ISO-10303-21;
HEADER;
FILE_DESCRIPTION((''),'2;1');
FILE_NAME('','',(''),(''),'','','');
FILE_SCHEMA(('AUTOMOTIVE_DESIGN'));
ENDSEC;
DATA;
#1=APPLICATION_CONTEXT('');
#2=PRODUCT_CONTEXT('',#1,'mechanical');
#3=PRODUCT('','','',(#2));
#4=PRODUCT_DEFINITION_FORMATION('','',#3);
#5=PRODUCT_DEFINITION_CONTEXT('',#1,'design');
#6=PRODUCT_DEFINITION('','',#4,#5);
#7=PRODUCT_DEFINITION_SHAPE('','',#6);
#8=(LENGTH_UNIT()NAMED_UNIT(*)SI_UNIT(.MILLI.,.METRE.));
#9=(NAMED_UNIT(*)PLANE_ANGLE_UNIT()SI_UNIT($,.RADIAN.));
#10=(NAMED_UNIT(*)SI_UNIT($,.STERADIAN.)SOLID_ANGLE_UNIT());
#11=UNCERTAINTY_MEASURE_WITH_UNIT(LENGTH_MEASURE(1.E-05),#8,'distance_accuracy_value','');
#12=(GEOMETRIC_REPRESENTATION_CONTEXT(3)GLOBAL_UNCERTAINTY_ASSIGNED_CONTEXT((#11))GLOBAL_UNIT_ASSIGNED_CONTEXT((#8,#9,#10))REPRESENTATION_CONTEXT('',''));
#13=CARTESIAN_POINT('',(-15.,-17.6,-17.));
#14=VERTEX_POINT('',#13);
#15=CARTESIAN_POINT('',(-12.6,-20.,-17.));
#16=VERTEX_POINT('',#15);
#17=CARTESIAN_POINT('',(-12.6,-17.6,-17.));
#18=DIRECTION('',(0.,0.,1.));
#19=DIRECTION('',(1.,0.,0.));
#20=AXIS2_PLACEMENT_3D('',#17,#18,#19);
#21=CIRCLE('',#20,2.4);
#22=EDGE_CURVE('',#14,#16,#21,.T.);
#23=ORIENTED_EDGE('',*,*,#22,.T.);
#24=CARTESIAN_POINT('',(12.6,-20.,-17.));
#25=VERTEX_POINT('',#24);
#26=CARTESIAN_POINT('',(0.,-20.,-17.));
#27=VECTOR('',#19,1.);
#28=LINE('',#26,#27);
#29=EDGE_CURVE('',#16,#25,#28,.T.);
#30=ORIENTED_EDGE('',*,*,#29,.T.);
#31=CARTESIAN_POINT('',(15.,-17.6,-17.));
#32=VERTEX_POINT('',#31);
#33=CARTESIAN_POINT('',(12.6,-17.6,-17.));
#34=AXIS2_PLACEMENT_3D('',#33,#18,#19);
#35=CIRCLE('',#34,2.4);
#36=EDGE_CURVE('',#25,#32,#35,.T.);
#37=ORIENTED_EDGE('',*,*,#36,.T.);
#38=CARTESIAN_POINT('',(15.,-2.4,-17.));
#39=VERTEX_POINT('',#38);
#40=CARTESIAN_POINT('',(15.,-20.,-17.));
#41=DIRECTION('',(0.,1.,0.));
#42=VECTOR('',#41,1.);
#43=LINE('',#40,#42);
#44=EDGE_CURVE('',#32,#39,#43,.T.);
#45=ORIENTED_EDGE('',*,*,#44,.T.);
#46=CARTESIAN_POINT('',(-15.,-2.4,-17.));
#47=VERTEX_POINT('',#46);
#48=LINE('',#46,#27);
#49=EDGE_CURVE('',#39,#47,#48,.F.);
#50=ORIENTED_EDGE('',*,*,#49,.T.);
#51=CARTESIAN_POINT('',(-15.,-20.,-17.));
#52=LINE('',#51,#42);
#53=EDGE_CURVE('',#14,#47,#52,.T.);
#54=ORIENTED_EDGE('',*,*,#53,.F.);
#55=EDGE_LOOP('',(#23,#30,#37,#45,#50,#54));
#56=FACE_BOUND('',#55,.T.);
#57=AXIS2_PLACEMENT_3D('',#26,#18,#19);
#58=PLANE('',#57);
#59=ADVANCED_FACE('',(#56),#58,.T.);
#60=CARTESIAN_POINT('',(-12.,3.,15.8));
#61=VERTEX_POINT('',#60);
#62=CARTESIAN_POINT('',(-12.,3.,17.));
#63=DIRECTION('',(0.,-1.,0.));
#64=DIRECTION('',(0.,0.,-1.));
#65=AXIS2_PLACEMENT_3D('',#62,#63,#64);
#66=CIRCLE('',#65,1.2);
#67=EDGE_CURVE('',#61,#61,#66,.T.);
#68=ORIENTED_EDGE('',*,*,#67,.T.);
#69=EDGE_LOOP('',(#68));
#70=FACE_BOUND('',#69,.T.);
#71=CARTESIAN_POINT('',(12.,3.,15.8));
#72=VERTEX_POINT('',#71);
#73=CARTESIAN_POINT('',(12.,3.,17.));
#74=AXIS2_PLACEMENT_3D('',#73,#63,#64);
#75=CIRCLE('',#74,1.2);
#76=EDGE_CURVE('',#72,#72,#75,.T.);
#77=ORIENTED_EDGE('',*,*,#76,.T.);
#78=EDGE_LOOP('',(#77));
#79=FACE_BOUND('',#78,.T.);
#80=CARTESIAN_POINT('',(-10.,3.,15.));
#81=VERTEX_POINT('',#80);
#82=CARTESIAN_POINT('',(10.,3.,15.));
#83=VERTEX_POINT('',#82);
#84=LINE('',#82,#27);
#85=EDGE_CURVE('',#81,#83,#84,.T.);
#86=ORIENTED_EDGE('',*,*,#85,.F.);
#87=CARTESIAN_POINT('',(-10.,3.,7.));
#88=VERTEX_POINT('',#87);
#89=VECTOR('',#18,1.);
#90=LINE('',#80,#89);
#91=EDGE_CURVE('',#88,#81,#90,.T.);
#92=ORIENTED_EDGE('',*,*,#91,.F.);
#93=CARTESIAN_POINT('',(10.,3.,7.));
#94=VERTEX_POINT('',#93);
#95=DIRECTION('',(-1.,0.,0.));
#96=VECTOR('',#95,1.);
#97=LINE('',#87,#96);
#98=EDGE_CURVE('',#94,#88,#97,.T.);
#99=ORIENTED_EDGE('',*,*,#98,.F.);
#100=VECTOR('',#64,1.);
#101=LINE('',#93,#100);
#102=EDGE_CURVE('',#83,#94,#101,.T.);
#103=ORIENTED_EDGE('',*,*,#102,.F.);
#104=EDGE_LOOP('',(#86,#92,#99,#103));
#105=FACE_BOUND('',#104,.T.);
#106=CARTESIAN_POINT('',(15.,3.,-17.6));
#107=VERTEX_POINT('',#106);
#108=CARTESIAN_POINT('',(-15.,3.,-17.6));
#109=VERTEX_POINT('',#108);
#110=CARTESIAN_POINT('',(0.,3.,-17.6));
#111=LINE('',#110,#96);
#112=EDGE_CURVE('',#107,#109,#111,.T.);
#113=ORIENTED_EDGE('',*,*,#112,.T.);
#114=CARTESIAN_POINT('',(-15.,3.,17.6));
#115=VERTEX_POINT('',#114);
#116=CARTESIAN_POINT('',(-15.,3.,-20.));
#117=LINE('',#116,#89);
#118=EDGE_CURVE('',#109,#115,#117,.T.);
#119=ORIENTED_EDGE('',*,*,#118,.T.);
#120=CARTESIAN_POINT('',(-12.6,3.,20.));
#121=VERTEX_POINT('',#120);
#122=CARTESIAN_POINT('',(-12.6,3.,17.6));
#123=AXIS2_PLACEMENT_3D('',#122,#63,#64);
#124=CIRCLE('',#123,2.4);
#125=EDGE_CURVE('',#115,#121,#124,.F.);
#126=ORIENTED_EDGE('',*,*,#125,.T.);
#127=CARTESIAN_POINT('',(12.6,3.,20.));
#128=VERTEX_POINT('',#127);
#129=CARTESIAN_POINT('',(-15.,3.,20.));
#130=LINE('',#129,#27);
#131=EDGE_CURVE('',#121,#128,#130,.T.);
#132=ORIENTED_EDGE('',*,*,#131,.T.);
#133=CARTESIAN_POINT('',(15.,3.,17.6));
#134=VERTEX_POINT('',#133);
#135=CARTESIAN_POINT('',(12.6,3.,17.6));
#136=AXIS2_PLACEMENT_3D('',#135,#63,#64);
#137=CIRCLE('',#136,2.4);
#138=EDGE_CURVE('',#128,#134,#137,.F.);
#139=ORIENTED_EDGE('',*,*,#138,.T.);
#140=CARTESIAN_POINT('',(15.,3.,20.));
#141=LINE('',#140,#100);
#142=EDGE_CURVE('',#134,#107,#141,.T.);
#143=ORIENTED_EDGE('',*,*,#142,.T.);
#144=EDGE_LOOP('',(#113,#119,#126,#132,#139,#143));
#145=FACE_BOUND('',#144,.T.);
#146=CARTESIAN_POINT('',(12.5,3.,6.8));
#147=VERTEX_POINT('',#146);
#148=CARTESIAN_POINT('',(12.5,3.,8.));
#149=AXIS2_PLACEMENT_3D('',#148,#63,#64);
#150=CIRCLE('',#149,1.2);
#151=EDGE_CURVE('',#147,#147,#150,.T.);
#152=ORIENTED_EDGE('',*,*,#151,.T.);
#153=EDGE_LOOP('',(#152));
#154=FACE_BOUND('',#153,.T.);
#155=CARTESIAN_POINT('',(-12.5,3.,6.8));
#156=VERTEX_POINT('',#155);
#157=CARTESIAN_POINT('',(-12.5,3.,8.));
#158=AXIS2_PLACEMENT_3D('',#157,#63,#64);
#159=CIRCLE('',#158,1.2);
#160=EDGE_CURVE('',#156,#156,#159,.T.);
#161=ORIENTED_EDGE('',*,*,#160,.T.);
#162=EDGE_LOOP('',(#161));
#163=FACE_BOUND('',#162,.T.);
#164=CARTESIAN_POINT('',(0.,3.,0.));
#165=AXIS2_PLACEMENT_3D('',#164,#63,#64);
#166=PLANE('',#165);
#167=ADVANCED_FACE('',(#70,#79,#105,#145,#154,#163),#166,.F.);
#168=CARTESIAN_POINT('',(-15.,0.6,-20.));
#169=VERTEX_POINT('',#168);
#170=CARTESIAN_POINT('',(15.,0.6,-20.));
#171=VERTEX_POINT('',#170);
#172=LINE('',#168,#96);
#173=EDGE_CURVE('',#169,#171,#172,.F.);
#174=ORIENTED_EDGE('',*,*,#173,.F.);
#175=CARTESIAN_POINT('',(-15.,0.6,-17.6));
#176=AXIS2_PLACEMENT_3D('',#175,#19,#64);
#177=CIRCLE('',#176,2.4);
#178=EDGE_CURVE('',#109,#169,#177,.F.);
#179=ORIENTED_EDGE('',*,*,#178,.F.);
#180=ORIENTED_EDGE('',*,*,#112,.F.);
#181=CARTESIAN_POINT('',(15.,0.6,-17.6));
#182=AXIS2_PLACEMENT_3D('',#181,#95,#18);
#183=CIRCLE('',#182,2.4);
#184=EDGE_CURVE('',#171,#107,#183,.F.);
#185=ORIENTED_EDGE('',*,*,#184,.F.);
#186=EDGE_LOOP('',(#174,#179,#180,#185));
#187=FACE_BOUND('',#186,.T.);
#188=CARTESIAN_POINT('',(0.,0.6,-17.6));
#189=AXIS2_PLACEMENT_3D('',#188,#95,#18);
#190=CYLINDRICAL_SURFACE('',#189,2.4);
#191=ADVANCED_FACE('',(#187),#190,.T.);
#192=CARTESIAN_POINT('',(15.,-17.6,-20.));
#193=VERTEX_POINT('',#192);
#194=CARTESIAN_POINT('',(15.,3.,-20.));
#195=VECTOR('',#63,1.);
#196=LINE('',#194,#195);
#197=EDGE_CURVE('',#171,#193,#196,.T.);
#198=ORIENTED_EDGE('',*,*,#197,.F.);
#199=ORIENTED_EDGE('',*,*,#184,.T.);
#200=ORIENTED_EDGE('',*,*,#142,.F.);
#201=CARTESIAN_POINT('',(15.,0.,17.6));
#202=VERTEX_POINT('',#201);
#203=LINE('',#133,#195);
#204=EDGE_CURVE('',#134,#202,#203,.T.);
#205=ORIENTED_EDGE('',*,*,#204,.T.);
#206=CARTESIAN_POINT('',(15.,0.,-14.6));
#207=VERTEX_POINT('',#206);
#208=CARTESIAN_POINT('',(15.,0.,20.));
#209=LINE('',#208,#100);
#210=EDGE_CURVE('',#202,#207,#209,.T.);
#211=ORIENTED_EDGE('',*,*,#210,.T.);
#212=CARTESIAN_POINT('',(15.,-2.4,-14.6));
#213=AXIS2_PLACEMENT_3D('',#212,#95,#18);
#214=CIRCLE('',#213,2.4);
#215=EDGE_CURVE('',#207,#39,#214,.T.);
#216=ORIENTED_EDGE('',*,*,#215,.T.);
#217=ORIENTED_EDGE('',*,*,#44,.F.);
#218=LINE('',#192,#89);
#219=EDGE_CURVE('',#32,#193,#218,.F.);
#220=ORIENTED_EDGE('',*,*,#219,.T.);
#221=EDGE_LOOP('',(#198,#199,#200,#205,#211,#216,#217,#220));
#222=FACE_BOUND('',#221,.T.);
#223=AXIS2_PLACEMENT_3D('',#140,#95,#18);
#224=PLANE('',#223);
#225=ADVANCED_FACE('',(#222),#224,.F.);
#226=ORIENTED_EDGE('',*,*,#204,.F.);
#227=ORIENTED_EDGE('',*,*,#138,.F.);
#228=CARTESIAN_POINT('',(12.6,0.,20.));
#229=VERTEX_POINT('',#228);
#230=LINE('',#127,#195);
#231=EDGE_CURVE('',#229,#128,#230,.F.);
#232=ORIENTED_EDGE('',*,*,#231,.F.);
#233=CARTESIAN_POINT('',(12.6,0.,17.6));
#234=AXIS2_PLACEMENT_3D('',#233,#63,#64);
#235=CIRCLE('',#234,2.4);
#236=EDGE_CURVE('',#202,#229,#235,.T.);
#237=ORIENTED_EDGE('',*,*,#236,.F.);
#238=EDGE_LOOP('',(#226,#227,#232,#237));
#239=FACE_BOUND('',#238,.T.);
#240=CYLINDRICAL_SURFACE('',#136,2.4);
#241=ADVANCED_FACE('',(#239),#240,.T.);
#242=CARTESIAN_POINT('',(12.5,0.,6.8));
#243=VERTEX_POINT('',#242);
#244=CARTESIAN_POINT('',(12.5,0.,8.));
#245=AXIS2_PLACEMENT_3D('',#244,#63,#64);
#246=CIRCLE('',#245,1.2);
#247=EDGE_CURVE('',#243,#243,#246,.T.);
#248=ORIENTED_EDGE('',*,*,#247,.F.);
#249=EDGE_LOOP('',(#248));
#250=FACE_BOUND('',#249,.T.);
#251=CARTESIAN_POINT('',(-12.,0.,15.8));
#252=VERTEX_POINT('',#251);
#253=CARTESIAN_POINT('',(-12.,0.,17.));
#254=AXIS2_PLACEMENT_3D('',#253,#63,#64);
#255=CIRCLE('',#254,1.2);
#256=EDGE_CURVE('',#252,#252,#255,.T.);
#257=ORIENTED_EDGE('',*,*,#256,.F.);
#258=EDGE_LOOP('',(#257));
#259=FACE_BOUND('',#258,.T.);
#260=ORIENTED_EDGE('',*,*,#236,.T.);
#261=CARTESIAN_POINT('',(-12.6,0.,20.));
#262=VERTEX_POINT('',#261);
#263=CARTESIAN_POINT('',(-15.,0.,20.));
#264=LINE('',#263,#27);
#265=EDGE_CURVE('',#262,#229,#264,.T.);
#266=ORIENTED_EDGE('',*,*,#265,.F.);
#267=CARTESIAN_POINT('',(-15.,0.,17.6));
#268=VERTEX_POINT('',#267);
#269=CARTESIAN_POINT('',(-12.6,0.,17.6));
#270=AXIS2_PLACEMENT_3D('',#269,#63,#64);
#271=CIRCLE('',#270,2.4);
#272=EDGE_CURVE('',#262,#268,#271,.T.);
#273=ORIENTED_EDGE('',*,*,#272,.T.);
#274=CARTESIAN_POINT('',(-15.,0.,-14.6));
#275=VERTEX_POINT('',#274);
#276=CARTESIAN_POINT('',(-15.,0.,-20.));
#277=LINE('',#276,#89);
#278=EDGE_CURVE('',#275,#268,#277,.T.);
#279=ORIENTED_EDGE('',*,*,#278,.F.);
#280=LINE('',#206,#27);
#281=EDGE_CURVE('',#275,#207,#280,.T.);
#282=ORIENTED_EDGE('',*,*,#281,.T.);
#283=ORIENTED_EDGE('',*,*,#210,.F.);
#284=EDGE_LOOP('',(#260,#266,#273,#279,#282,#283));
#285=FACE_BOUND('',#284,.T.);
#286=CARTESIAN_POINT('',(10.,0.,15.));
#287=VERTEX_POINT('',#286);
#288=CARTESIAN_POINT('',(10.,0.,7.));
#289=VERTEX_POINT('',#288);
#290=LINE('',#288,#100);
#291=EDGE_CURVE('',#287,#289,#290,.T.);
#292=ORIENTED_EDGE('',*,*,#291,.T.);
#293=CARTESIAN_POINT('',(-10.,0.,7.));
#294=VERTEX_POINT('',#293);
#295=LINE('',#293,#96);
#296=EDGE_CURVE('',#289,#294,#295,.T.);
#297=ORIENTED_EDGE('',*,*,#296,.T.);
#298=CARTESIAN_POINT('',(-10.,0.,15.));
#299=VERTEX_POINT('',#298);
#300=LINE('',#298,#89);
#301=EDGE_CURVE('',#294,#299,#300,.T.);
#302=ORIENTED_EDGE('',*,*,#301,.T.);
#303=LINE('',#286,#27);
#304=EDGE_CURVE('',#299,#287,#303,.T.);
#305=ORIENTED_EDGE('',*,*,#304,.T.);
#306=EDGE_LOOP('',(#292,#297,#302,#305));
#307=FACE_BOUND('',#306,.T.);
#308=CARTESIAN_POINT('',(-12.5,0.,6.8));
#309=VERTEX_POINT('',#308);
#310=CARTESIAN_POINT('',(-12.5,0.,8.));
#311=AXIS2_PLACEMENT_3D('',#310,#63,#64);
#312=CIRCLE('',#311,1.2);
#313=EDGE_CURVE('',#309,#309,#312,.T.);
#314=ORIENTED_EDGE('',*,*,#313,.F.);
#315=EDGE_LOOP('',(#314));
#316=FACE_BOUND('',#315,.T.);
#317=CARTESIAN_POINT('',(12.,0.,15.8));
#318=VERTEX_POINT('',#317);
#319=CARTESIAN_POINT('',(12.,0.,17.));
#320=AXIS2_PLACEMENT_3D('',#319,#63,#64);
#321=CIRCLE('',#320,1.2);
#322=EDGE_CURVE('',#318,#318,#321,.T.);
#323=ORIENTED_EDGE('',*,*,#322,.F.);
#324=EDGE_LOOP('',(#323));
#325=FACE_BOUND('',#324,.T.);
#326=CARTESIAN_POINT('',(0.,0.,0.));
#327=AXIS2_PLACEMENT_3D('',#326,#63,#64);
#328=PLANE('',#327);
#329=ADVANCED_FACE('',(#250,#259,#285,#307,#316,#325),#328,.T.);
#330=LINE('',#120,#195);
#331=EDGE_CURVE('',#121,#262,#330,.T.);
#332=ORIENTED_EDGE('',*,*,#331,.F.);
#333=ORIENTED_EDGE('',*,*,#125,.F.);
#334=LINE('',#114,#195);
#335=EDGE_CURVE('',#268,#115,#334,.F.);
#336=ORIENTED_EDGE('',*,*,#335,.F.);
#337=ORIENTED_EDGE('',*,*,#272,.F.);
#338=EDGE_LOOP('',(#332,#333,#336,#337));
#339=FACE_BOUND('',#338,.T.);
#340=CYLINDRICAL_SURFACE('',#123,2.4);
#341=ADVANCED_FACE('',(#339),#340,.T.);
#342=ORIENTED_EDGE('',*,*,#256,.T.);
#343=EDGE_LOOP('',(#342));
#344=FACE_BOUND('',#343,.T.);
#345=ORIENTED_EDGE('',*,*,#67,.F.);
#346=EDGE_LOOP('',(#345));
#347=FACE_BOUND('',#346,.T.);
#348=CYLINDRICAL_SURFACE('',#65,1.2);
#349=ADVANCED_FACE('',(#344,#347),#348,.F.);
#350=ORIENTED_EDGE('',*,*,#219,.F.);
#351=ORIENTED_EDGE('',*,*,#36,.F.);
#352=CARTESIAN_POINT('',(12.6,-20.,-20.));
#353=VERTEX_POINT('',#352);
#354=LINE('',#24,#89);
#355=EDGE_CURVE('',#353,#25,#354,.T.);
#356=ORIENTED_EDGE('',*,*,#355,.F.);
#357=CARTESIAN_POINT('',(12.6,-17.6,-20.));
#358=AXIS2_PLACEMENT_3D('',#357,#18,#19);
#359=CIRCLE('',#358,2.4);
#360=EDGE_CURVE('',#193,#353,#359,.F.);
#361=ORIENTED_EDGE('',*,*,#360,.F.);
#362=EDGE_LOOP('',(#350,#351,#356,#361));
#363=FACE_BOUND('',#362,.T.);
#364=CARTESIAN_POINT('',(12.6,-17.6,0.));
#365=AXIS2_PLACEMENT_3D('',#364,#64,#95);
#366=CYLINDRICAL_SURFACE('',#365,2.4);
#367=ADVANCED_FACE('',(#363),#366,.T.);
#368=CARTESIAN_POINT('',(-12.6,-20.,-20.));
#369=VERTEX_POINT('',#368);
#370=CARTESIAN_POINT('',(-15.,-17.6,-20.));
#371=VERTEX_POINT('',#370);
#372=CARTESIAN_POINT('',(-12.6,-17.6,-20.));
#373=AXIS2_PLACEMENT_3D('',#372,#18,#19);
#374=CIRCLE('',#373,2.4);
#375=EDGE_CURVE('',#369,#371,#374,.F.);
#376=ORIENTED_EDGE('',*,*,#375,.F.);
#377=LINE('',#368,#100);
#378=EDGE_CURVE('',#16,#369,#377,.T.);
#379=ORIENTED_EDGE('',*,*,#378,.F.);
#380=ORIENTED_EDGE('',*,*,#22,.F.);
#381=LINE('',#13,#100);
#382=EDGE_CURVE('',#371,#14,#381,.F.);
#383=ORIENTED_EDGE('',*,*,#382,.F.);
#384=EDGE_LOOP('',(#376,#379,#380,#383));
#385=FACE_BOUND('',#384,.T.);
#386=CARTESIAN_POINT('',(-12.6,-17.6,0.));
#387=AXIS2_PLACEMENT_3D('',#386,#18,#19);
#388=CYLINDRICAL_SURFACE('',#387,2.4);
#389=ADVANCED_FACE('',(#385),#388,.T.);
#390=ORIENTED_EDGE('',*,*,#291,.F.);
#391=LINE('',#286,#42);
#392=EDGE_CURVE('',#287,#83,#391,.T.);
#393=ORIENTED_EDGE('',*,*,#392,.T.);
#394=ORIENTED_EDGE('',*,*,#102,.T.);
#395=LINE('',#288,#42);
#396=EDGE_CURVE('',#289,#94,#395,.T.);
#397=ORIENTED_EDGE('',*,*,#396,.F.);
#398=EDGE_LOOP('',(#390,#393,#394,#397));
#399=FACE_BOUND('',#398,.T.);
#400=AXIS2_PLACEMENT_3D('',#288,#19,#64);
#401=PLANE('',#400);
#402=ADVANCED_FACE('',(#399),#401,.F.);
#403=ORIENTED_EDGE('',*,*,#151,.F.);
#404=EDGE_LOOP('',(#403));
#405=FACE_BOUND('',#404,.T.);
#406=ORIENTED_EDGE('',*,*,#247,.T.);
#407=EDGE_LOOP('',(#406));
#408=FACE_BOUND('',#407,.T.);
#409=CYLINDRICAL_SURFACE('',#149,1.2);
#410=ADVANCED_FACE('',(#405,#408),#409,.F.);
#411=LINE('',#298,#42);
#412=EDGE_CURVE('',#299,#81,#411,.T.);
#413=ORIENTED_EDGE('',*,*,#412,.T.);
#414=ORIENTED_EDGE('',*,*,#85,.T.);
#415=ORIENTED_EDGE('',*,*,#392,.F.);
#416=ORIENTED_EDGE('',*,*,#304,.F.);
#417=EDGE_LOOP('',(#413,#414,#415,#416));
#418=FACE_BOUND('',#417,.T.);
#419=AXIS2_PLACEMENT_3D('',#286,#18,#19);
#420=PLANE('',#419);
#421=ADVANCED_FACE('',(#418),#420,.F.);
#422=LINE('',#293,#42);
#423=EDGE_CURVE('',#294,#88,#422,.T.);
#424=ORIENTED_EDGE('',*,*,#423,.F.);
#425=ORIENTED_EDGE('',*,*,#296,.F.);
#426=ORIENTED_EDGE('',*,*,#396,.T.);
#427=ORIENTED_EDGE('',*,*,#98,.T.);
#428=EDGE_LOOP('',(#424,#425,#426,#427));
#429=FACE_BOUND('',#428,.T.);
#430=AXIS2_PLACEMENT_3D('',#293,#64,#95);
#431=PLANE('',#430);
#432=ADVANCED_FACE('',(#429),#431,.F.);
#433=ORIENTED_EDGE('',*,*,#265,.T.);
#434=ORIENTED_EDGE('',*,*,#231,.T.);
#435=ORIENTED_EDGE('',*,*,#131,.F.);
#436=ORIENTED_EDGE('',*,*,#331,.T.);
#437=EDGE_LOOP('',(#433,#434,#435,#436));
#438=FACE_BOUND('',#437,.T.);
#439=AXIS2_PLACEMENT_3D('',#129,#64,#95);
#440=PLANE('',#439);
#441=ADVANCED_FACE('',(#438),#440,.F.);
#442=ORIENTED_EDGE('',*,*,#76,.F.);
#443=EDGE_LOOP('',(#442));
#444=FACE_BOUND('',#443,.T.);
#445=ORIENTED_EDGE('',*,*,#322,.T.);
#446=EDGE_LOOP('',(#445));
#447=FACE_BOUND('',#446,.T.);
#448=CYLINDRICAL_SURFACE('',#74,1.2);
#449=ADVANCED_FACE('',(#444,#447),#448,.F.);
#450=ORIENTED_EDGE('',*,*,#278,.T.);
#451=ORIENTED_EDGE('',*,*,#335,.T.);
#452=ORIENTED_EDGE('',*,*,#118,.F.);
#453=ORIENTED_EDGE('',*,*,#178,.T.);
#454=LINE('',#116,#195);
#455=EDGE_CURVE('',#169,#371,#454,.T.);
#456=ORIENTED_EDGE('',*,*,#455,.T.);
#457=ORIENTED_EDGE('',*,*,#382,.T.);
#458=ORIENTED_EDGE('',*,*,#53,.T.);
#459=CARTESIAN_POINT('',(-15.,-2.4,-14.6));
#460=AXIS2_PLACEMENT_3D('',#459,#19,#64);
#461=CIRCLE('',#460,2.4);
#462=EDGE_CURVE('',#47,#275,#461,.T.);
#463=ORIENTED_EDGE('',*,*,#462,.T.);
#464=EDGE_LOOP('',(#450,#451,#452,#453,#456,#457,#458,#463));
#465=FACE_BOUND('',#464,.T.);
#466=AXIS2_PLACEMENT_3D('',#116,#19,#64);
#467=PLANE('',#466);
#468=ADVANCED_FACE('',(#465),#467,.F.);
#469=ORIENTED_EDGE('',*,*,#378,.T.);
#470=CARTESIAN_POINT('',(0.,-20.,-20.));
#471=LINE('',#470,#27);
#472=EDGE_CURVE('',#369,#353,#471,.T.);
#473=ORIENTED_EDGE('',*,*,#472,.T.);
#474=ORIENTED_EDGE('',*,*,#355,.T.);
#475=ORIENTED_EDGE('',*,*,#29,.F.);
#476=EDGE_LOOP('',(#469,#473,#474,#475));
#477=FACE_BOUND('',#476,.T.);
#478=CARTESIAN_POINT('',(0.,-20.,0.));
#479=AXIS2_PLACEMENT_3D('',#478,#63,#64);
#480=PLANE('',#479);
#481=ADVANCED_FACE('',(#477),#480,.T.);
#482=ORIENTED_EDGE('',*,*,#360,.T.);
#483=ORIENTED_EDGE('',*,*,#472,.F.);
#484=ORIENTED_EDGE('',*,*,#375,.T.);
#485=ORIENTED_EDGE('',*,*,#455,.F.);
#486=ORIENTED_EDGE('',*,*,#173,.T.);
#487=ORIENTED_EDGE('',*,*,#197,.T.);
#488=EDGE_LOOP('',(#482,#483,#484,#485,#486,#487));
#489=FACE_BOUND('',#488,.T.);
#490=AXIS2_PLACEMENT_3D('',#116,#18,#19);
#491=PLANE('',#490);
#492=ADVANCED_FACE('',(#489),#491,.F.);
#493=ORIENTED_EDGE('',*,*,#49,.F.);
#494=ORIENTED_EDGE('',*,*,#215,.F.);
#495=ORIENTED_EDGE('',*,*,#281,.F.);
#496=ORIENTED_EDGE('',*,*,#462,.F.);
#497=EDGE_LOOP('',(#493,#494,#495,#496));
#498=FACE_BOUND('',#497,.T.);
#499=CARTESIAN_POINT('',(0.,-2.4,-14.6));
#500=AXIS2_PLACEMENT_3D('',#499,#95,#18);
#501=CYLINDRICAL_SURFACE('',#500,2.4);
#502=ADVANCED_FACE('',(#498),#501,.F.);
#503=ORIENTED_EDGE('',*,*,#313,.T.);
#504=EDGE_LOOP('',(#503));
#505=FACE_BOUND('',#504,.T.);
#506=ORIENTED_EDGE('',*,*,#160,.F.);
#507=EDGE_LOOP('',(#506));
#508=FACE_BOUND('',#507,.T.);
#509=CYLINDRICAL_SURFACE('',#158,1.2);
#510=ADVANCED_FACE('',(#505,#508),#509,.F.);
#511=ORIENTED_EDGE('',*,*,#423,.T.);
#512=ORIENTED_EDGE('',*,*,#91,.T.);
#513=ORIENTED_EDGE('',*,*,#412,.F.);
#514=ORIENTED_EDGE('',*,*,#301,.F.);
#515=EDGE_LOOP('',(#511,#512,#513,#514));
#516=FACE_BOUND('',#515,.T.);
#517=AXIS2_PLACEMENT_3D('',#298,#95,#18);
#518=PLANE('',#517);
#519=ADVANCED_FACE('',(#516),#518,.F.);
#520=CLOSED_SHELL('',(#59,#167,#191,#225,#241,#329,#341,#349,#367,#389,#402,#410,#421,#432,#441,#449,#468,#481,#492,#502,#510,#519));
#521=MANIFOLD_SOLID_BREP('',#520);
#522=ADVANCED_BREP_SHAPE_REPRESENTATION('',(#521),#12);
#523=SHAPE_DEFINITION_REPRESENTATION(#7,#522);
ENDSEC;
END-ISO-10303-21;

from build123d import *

# Parameters (mm, degrees)
ESBO_O1_W                = 30
ESBO_O1_H                = 40
RESSALTO_EXTRUS_O1_DEPTH = 3
ESBO_O2_W                = 20
ESBO_O2_H                = 8
CORTE_EXTRUS_O1_DEPTH    = 26.179356624
ESBO_O3_R                = 1.2
CORTE_EXTRUS_O2_DEPTH    = 26.179356624
ESBO_O4_W                = 30
ESBO_O4_H                = 3
RESSALTO_EXTRUS_O2_DEPTH = 20
FILETE5_R                = 2.4
FILETE6_R                = 2.4
FILETE7_R                = 2.4
FILETE8_R                = 2.4


with BuildPart() as part:
    # Esboço1 → Ressalto-extrusão1 (new body)
    with BuildSketch(Plane(origin=(0, 0, 0), x_dir=(1, 0, 0), z_dir=(0, 1, 0))):
        Rectangle(ESBO_O1_W, ESBO_O1_H)
    extrude(amount=RESSALTO_EXTRUS_O1_DEPTH)

    # Esboço2 → Corte-extrusão1 (cut, through all)
    with BuildSketch(Plane(origin=(0, 3, 0), x_dir=(1, 0, 0), z_dir=(0, 1, 0))):
        with Locations((0, -11)):
            Rectangle(ESBO_O2_W, ESBO_O2_H)
    extrude(amount=-CORTE_EXTRUS_O1_DEPTH, mode=Mode.SUBTRACT)

    # Esboço3 → Corte-extrusão2 (cut, through all)
    with BuildSketch(Plane.XZ):
        with Locations(Location((-12, 17, 0), (0, 0, 270))):
            Circle(ESBO_O3_R)
        with Locations(Location((12, 17, 0), (0, 0, 270))):
            Circle(ESBO_O3_R)
        with Locations(Location((-12.5, 8, 0), (0, 0, 270))):
            Circle(ESBO_O3_R)
        with Locations(Location((12.5, 8, 0), (0, 0, 270))):
            Circle(ESBO_O3_R)
    extrude(amount=-CORTE_EXTRUS_O2_DEPTH, mode=Mode.SUBTRACT)

    # Esboço4 → Ressalto-extrusão2 (add)
    with BuildSketch(Plane.XZ):
        with Locations((0, -18.5)):
            Rectangle(ESBO_O4_W, ESBO_O4_H)
    extrude(amount=RESSALTO_EXTRUS_O2_DEPTH)

    # Filete5
    filete5_edges = [part.edges().sort_by_distance(p)[0] for p in [
        (0, 0, -17),
    ]]
    fillet(filete5_edges, radius=FILETE5_R)

    # Filete6
    filete6_edges = [part.edges().sort_by_distance(p)[0] for p in [
        (0, 3, -20),
    ]]
    fillet(filete6_edges, radius=FILETE6_R)

    # Filete7
    filete7_edges = [part.edges().sort_by_distance(p)[0] for p in [
        (15, 1.5, 20),
        (-15, 1.5, 20),
    ]]
    fillet(filete7_edges, radius=FILETE7_R)

    # Filete8
    filete8_edges = [part.edges().sort_by_distance(p)[0] for p in [
        (-15, -20, -18.5),
        (15, -20, -18.5),
    ]]
    fillet(filete8_edges, radius=FILETE8_R)


solid = part.part
